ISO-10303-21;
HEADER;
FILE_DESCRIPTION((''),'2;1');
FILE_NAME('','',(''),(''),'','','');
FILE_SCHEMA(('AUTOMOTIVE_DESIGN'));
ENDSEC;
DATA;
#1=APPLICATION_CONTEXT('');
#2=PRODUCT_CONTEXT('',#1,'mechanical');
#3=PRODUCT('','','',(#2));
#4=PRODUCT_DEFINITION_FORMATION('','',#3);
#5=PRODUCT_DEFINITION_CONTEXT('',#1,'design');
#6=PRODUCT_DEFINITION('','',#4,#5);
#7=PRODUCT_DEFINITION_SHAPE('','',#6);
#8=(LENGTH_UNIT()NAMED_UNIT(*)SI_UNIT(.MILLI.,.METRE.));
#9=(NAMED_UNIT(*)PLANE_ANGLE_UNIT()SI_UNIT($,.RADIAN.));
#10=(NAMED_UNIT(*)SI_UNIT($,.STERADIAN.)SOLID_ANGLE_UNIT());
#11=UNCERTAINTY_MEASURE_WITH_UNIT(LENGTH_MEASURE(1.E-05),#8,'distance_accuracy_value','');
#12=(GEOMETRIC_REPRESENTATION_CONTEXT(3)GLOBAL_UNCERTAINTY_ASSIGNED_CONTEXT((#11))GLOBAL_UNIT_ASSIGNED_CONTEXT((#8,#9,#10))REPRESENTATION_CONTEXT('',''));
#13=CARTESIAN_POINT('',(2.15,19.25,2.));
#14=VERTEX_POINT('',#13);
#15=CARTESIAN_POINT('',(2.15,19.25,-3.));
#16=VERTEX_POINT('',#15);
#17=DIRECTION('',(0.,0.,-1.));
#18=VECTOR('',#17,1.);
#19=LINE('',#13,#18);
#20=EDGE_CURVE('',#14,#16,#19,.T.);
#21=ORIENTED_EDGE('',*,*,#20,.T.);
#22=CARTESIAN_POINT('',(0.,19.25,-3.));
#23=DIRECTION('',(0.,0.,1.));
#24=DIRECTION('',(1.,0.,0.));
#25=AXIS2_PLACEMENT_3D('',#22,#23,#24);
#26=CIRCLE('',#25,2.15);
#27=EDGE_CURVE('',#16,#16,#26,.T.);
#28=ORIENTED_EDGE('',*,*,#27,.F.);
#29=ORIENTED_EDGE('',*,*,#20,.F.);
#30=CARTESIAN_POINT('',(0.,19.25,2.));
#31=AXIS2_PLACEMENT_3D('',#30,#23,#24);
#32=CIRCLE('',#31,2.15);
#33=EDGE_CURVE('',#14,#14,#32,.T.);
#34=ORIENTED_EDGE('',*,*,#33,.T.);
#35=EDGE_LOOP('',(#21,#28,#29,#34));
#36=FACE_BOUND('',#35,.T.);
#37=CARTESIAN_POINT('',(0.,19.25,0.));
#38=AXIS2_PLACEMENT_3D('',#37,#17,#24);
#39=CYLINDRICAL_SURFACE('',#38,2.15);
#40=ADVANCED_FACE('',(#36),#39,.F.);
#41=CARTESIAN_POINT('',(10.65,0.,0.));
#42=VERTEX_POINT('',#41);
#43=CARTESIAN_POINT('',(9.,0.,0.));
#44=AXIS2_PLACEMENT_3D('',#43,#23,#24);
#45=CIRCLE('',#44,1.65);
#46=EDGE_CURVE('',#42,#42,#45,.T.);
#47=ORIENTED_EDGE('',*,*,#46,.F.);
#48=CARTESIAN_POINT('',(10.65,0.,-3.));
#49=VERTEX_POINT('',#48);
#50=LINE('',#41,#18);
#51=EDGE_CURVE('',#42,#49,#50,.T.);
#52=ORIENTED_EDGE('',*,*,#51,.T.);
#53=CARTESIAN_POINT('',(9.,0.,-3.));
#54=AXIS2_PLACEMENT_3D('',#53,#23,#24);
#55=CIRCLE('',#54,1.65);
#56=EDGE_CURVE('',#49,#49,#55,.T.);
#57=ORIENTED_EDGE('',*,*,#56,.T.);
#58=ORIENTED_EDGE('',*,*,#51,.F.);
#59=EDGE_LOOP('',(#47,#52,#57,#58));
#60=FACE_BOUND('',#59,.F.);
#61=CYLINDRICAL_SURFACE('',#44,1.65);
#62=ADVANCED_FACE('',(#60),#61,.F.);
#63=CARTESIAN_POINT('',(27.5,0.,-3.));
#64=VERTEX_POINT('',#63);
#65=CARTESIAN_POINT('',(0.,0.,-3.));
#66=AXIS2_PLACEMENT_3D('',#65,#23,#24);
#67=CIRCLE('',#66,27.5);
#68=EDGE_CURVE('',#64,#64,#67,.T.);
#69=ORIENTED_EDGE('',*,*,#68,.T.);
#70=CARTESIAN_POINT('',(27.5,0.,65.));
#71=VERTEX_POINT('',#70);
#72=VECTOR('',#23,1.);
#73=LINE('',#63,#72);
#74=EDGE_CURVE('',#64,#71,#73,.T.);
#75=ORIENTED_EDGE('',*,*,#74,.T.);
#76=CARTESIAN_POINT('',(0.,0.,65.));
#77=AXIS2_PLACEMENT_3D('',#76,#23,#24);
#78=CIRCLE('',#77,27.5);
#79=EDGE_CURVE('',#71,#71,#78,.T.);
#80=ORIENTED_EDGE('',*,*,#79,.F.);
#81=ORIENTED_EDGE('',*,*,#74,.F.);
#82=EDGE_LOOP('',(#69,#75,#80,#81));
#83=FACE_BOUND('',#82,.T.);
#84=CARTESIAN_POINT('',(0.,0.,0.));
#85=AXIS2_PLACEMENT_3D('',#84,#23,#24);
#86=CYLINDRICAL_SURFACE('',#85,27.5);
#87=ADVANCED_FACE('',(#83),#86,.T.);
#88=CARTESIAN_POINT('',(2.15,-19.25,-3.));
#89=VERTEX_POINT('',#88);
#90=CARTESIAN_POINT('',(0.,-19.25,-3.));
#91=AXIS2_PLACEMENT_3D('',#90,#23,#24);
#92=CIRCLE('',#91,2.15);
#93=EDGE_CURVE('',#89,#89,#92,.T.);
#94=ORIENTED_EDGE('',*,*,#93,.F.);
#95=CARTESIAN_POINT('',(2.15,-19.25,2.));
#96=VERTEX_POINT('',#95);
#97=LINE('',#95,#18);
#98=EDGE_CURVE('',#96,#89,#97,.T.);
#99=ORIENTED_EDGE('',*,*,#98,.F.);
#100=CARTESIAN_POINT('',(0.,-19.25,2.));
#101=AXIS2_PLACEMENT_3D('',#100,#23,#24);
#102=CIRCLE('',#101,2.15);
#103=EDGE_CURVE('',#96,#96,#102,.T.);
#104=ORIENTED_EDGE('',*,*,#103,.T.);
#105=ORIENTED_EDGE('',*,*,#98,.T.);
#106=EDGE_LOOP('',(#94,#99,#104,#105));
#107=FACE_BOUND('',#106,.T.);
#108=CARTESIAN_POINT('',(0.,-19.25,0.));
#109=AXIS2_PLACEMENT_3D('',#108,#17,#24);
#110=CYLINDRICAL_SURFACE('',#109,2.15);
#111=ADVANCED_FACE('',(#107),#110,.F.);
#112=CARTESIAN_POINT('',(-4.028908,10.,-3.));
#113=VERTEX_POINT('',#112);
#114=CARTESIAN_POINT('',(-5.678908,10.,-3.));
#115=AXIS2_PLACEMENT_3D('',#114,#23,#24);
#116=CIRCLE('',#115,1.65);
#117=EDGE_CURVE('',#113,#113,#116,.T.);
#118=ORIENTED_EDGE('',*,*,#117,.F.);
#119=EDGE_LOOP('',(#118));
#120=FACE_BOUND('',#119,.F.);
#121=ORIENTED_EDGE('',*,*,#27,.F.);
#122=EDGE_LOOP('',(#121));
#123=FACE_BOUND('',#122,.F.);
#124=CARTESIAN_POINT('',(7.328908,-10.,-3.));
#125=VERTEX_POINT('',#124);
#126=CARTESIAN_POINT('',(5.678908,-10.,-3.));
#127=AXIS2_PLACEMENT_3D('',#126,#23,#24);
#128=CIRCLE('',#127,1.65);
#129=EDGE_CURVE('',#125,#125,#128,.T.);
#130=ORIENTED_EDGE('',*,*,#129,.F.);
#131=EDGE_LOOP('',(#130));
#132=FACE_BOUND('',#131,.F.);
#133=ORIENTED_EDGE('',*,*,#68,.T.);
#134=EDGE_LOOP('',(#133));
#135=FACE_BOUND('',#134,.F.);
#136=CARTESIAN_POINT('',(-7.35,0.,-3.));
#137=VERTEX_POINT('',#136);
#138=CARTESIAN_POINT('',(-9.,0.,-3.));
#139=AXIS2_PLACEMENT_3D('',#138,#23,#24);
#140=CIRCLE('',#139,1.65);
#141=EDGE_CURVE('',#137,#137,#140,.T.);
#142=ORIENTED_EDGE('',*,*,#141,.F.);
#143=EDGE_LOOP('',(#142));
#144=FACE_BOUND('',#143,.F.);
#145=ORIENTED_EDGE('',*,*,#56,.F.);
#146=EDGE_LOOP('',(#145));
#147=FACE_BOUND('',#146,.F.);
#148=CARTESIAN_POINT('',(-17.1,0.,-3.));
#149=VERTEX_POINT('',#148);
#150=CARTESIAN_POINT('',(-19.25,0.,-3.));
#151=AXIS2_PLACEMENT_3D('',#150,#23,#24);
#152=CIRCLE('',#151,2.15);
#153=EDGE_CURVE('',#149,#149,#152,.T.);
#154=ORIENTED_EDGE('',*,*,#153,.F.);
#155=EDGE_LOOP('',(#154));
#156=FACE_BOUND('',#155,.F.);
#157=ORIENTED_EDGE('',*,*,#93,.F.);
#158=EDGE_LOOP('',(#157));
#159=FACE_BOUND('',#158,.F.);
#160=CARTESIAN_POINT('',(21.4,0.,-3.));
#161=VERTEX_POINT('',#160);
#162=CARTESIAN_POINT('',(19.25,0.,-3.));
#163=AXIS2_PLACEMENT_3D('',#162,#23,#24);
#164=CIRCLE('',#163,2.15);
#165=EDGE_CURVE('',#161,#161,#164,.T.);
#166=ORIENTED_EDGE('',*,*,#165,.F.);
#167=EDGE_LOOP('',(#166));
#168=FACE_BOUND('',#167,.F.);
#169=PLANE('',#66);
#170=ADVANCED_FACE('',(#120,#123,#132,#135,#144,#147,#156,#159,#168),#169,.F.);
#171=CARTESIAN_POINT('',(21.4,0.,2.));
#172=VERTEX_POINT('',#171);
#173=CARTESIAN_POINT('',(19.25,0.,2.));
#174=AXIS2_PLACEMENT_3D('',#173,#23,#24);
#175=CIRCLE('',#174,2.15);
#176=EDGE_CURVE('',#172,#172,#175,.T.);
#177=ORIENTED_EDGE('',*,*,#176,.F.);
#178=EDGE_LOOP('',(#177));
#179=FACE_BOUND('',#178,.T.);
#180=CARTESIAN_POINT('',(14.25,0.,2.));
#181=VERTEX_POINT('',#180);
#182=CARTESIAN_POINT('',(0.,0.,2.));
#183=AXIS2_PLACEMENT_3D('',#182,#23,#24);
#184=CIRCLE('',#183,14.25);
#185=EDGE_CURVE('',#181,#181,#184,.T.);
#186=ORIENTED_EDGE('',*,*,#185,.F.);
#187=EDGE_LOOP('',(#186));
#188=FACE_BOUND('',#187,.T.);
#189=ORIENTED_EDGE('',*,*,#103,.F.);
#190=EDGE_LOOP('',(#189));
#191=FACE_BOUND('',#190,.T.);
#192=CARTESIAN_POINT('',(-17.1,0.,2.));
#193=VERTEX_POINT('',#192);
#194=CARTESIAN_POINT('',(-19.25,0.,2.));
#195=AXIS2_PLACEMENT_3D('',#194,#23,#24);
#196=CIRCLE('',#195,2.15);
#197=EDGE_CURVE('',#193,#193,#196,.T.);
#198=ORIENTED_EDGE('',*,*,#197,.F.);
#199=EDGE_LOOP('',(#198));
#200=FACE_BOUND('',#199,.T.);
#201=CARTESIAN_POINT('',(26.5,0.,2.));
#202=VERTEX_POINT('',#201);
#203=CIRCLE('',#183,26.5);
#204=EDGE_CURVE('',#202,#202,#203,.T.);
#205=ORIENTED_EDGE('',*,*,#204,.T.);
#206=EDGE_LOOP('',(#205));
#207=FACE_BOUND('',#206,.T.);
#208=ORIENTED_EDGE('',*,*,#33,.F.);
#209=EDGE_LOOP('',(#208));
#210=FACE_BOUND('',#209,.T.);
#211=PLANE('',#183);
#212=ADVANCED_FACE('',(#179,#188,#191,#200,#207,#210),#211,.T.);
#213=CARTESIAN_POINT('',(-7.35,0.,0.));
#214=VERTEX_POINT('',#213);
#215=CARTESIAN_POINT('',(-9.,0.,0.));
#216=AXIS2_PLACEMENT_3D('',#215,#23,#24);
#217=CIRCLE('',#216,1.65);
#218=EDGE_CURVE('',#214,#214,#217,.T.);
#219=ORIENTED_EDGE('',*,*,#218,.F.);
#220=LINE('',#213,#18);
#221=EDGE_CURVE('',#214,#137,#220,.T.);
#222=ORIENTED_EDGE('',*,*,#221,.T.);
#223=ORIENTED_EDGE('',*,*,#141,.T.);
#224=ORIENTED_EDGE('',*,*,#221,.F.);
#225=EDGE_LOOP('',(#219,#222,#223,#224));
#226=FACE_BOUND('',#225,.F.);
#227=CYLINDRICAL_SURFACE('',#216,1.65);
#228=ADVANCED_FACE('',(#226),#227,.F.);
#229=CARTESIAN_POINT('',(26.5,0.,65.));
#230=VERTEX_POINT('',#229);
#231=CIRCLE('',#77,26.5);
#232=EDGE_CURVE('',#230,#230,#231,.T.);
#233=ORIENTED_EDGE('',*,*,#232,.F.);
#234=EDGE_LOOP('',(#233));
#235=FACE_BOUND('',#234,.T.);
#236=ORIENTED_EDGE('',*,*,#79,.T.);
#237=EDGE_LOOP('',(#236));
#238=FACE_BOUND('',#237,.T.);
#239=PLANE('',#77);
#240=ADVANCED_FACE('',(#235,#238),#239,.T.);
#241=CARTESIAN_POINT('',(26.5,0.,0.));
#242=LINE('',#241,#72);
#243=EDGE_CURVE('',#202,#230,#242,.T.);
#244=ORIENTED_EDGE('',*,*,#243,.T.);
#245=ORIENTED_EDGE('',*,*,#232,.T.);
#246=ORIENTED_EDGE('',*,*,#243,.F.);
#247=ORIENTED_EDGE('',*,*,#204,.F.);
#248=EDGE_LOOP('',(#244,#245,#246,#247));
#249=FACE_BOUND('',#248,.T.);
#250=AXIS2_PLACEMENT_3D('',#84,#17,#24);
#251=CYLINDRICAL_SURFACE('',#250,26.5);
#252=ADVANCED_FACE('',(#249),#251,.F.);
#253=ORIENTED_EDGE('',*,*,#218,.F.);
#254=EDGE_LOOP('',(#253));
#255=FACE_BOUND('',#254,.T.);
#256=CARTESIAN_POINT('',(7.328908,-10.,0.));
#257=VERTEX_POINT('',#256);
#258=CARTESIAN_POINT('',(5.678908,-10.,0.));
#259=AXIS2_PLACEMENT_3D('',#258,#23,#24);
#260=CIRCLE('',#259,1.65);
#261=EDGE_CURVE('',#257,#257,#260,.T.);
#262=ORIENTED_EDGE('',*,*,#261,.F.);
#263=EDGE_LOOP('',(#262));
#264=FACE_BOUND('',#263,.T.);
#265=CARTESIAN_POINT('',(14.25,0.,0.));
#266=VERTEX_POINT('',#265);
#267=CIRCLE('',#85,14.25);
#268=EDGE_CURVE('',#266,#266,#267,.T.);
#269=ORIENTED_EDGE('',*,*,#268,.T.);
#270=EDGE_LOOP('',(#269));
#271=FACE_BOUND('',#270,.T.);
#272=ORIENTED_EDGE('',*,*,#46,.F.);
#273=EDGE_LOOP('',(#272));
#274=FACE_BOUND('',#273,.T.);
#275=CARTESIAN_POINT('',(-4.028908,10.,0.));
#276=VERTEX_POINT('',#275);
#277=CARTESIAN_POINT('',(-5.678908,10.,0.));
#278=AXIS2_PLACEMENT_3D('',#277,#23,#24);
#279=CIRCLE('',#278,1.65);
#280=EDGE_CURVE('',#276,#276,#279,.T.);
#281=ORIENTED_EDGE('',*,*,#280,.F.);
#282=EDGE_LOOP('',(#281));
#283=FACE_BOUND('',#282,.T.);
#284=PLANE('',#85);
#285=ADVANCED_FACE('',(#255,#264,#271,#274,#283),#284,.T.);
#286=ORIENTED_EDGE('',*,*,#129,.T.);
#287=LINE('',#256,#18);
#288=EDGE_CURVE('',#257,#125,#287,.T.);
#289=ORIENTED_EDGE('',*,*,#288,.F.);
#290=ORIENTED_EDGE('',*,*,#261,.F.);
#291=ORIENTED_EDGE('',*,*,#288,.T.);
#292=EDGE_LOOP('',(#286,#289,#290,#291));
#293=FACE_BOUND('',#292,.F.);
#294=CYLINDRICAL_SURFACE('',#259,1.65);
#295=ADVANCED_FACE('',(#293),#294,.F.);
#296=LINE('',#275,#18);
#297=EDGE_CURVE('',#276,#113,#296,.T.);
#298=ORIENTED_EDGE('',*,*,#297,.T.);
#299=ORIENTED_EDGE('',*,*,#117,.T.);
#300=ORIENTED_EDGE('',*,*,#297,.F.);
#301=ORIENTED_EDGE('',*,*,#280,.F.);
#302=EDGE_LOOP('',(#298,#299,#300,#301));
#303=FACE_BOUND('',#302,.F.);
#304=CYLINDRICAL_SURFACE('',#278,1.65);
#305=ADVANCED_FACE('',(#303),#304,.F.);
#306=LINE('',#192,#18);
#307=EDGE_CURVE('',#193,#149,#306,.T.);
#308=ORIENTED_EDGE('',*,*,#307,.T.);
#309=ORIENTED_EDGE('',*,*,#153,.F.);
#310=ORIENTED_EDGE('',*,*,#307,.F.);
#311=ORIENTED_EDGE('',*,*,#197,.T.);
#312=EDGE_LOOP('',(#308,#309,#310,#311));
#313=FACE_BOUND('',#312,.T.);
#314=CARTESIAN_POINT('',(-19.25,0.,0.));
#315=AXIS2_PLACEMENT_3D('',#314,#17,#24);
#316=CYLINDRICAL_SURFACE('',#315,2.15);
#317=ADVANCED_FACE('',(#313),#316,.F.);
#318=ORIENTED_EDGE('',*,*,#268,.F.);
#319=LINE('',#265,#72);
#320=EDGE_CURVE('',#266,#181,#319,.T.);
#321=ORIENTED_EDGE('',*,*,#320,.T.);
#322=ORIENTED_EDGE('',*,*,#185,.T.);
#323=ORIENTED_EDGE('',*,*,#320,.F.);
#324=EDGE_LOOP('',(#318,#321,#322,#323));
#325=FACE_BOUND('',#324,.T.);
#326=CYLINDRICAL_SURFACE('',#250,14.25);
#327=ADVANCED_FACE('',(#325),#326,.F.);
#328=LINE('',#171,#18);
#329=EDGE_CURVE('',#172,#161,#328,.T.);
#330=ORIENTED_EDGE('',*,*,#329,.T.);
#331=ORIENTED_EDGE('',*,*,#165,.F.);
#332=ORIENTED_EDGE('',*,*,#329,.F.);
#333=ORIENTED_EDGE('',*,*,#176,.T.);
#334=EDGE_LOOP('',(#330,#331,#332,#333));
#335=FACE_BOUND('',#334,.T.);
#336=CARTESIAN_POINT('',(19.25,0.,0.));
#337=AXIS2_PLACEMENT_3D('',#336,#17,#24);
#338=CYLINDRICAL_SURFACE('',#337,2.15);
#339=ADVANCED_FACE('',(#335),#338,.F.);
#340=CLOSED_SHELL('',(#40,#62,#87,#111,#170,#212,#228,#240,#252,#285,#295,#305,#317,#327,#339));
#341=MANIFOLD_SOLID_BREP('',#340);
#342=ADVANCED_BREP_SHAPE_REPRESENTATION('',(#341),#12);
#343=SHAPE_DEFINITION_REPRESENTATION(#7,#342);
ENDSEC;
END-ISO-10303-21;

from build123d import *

# Parameters (mm, degrees)
F0_R     = 27.5
F0_R_2   = 26.5
F1_DEPTH = 65
F0_R_3   = 2.15
F0_R_4   = 14.25
F0_R_5   = 1.65
F2_DEPTH = 3
F3_DEPTH = 2


with BuildPart() as f1:
    # F0 (on Top) → F1 (new body)
    with BuildSketch(Plane.XY):
        Circle(F0_R)
        Circle(F0_R_2, mode=Mode.SUBTRACT)
    extrude(amount=F1_DEPTH)

    # F0 (on Top) → F2 (join)
    with BuildSketch(Plane.XY):
        Circle(F0_R)
        Circle(F0_R_2, mode=Mode.SUBTRACT)
        Circle(F0_R_2)
        with Locations((0, -19.25)):
            Circle(F0_R_3, mode=Mode.SUBTRACT)
        with Locations((-19.25, 0)):
            Circle(F0_R_3, mode=Mode.SUBTRACT)
        Circle(F0_R_4, mode=Mode.SUBTRACT)
        with Locations((19.25, 0)):
            Circle(F0_R_3, mode=Mode.SUBTRACT)
        with Locations((0, 19.25)):
            Circle(F0_R_3, mode=Mode.SUBTRACT)
        Circle(F0_R_4)
        with Locations((5.678908, -10)):
            Circle(F0_R_5, mode=Mode.SUBTRACT)
        with Locations((-9, 0)):
            Circle(F0_R_5, mode=Mode.SUBTRACT)
        with Locations((-5.678908, 10)):
            Circle(F0_R_5, mode=Mode.SUBTRACT)
        with Locations((9, 0)):
            Circle(F0_R_5, mode=Mode.SUBTRACT)
    extrude(amount=-F2_DEPTH)

    # F0 (on Top) → F3 (join)
    with BuildSketch(Plane.XY):
        Circle(F0_R_2)
        with Locations((0, -19.25)):
            Circle(F0_R_3, mode=Mode.SUBTRACT)
        with Locations((-19.25, 0)):
            Circle(F0_R_3, mode=Mode.SUBTRACT)
        Circle(F0_R_4, mode=Mode.SUBTRACT)
        with Locations((19.25, 0)):
            Circle(F0_R_3, mode=Mode.SUBTRACT)
        with Locations((0, 19.25)):
            Circle(F0_R_3, mode=Mode.SUBTRACT)
    extrude(amount=F3_DEPTH)


solid = f1.part
